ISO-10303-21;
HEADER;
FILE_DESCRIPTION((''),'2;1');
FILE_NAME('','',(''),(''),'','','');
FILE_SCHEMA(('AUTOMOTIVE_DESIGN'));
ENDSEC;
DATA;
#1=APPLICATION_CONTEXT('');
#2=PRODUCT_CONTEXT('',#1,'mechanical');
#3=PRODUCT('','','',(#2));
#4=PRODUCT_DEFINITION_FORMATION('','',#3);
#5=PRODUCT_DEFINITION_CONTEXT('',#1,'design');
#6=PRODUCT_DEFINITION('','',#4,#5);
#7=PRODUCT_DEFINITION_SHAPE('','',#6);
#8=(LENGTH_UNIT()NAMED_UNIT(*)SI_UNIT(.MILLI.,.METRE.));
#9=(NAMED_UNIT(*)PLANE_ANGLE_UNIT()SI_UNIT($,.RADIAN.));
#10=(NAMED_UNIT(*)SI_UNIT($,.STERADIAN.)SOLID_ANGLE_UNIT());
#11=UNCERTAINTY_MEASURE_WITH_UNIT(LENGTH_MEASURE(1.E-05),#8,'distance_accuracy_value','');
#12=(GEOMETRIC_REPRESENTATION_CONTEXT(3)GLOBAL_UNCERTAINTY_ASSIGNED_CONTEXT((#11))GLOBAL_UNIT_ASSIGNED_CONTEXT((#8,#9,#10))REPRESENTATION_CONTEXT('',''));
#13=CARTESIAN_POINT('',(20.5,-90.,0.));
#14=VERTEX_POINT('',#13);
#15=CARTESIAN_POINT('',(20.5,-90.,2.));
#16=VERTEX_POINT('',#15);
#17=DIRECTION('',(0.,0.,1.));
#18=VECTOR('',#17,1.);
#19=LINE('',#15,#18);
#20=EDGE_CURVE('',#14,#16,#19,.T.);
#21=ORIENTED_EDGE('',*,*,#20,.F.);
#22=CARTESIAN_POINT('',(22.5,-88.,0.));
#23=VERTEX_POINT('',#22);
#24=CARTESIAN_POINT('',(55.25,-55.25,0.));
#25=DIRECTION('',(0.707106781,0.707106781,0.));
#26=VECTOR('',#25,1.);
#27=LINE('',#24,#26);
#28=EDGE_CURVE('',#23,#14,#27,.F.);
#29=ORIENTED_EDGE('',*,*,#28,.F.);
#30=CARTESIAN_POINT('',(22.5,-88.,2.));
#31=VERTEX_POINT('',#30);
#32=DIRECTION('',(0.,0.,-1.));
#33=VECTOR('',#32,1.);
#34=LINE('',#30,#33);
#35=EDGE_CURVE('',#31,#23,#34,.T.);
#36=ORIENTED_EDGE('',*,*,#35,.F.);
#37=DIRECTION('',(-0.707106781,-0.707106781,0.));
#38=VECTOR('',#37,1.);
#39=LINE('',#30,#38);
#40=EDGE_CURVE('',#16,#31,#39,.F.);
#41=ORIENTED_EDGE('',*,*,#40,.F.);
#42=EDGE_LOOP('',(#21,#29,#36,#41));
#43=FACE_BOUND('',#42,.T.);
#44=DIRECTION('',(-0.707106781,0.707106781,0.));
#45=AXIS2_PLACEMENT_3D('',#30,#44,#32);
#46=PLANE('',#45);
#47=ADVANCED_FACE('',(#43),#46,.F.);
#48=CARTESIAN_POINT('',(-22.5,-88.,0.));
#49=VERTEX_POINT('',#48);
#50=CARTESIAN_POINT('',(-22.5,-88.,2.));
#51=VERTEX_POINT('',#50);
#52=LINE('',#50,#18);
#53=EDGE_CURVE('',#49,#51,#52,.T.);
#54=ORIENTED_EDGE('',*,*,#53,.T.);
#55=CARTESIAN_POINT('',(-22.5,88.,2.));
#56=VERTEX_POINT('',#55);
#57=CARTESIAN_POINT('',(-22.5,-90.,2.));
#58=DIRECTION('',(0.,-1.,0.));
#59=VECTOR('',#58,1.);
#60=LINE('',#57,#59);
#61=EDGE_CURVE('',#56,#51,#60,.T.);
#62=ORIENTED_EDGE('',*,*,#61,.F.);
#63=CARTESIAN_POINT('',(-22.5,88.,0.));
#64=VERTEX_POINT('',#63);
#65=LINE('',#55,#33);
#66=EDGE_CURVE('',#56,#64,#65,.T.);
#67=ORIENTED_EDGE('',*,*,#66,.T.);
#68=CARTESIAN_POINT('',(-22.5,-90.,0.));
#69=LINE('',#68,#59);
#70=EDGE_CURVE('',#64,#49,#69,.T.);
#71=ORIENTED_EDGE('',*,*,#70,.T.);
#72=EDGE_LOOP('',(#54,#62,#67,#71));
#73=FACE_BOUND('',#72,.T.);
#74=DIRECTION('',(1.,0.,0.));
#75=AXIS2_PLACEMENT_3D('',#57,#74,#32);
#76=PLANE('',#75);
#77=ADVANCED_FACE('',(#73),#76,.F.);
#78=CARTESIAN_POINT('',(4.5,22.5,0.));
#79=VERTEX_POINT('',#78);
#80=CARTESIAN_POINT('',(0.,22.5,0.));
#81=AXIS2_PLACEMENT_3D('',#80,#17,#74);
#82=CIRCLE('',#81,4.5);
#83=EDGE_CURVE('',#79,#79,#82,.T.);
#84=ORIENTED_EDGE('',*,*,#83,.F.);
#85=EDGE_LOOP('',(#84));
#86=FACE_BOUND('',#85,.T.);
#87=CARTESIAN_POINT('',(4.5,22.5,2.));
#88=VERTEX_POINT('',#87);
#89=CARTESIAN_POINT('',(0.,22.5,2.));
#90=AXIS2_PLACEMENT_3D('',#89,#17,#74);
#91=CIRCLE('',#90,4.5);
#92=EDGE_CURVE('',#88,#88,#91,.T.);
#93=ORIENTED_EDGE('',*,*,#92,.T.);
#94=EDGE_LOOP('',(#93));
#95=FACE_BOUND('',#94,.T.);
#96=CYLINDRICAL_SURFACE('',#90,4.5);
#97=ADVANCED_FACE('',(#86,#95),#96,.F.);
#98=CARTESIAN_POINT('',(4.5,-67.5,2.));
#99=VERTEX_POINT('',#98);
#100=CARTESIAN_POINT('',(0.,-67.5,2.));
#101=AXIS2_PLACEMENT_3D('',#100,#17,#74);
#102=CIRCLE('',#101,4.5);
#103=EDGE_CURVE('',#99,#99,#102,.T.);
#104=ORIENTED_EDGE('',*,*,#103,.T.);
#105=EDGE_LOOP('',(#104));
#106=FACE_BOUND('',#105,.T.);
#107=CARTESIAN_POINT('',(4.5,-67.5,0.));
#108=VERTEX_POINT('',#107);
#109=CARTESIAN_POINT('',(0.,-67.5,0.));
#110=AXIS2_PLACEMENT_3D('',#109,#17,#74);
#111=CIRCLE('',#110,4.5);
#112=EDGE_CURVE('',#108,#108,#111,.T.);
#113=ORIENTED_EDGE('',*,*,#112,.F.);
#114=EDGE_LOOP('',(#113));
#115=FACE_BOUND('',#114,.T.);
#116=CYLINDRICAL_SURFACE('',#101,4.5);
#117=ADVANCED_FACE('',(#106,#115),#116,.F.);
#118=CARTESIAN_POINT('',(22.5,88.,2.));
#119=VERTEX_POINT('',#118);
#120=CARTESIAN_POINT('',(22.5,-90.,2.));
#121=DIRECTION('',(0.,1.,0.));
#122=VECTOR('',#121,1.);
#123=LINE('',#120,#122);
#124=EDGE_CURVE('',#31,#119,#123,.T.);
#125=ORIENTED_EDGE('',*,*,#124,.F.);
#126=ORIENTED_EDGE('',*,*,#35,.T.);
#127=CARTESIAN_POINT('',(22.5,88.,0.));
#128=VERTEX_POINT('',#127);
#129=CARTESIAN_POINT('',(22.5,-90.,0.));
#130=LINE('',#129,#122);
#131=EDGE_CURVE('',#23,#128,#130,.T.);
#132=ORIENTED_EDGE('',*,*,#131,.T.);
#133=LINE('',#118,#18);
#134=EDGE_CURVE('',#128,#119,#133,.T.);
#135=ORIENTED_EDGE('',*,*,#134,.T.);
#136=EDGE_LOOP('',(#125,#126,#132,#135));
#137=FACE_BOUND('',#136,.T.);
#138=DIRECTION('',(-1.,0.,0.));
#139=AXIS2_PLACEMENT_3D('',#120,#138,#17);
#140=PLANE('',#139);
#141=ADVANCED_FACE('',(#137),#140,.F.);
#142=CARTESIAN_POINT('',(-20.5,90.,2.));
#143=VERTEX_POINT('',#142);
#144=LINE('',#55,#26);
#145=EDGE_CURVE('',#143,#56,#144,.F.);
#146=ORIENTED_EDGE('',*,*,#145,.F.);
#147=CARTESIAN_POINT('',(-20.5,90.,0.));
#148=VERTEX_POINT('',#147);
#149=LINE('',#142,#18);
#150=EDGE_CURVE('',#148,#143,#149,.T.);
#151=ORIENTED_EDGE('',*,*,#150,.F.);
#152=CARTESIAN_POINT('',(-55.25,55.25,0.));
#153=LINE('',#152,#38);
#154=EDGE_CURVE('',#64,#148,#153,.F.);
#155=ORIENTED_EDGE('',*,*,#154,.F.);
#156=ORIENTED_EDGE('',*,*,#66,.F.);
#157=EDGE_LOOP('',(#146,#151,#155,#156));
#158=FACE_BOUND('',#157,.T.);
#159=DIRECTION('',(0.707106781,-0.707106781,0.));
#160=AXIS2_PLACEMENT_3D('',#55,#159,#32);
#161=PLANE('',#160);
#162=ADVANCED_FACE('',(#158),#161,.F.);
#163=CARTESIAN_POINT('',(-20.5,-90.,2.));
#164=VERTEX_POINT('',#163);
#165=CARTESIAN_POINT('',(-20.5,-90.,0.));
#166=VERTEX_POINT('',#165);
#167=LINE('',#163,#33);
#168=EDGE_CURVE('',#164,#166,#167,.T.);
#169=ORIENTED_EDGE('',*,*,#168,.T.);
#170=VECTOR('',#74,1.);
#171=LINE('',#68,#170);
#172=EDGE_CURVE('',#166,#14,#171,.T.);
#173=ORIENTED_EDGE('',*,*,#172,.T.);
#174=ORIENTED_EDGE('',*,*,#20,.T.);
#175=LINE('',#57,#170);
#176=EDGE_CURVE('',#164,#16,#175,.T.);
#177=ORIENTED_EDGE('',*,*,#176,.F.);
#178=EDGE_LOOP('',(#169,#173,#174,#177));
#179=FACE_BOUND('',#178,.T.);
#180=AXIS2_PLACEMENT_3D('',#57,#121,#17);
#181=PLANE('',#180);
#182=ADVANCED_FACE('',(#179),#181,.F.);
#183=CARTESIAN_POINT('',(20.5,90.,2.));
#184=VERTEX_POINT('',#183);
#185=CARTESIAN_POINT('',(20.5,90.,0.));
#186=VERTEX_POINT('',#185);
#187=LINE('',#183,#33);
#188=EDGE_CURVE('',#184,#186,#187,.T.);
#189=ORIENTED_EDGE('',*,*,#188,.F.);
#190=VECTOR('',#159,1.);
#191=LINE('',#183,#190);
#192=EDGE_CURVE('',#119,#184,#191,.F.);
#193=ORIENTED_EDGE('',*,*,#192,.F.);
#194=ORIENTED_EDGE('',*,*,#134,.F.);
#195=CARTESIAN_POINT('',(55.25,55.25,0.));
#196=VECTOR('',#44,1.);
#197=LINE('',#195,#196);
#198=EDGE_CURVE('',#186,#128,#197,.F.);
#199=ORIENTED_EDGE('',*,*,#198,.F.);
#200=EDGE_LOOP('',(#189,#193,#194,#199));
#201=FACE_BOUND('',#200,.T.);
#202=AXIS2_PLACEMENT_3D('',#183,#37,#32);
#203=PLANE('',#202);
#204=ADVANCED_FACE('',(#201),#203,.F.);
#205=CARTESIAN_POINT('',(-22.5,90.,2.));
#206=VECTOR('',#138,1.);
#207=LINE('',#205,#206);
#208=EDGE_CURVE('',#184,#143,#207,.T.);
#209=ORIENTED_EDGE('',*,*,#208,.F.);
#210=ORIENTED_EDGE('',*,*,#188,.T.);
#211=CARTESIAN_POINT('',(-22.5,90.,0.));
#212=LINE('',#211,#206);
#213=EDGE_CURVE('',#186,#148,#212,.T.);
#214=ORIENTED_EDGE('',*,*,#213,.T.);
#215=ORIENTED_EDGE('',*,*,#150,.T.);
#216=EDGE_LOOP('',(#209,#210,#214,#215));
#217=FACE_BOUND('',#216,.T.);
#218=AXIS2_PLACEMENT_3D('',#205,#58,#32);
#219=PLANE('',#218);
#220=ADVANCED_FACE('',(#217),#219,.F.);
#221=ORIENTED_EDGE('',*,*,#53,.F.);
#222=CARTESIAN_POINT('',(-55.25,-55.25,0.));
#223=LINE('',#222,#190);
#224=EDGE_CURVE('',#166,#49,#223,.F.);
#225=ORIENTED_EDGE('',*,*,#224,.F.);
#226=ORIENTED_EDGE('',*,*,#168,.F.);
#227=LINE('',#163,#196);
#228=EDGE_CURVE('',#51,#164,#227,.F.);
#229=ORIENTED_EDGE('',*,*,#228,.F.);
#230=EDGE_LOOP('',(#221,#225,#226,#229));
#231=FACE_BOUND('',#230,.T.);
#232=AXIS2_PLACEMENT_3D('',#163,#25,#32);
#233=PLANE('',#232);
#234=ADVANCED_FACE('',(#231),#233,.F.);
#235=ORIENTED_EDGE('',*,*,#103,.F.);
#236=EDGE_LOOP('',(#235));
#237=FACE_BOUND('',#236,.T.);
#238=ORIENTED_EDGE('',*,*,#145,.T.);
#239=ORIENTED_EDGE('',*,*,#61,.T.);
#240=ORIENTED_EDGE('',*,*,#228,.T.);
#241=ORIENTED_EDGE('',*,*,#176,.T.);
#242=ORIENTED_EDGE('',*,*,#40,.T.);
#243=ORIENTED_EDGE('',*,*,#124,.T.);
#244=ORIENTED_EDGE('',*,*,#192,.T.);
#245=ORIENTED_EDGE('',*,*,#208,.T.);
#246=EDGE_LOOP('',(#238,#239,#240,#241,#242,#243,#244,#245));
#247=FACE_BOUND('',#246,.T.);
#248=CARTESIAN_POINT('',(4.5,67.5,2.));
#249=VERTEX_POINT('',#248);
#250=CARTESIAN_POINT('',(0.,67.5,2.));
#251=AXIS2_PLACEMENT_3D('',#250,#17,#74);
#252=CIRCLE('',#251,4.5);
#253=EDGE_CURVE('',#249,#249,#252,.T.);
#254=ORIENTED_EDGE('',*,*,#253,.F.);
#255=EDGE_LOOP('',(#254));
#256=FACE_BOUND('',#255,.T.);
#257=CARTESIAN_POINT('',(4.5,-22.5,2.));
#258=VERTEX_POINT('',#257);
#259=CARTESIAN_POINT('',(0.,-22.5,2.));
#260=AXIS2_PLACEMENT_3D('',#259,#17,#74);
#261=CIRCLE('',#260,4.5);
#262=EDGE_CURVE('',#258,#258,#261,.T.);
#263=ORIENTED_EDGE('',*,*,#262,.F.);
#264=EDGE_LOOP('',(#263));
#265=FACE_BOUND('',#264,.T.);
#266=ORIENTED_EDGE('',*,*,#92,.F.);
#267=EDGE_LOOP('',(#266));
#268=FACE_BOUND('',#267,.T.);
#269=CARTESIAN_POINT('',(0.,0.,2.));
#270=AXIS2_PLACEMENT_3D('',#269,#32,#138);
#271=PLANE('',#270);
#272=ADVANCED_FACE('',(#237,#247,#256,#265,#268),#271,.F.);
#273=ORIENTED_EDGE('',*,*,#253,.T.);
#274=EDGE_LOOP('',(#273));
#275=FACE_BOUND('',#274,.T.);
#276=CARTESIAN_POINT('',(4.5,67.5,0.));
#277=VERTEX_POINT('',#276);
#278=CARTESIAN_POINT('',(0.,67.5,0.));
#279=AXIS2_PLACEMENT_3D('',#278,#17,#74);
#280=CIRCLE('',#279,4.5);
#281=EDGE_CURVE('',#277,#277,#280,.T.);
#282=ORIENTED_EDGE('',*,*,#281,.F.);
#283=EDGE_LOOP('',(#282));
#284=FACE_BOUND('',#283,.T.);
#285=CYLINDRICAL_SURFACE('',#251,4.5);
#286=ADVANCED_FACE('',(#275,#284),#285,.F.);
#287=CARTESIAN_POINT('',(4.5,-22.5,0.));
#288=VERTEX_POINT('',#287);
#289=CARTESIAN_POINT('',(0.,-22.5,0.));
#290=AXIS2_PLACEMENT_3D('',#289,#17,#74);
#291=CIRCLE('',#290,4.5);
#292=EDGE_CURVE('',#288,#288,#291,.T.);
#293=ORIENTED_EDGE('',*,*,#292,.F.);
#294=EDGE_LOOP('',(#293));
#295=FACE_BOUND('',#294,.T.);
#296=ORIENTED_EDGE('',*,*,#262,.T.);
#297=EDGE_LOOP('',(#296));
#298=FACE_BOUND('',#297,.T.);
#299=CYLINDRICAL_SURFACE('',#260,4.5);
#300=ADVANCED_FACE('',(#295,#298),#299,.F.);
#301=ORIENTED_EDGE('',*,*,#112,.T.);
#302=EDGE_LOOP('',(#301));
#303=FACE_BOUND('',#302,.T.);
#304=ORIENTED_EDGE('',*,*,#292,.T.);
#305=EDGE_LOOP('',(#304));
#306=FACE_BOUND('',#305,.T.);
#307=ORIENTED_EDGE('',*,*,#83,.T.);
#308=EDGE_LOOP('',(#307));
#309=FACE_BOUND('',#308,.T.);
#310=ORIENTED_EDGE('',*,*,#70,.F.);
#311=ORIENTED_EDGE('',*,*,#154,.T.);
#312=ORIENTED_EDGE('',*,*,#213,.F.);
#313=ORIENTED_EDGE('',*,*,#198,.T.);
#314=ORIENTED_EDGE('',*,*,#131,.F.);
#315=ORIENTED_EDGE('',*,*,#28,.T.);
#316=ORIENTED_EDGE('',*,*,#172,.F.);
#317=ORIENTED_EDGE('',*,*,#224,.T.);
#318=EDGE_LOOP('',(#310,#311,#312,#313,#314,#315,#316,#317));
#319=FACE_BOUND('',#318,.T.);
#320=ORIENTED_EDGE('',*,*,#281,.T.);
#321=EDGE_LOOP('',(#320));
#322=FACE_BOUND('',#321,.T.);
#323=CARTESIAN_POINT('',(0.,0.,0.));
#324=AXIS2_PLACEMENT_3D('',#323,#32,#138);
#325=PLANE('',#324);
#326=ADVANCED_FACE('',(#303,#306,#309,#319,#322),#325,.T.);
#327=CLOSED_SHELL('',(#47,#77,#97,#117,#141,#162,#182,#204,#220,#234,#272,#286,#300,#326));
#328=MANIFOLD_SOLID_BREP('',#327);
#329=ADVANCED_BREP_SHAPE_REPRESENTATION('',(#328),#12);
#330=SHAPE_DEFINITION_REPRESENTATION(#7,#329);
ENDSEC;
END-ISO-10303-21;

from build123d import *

# Parameters (mm, degrees)
SKETCH_1_W        = 45
SKETCH_1_H        = 180
EXTRUDE_1_DEPTH   = 2
CHAMFER_1_SIZE    = 2
HOLE_WIZARD_M81_D = 9


with BuildPart() as part:
    # Эскиз1 → Бобышка-Вытянуть1 (new body)
    with BuildSketch(Plane.XY):
        Rectangle(SKETCH_1_W, SKETCH_1_H)
    extrude(amount=EXTRUDE_1_DEPTH)

    # Фаска1
    chamfer_1_edges = [part.edges().sort_by_distance(p)[0] for p in [
        (22.5, -90, 1),
        (-22.5, -90, 1),
        (-22.5, 90, 1),
        (22.5, 90, 1),
    ]]
    chamfer(chamfer_1_edges, length=CHAMFER_1_SIZE)

    # Отверстие с зазором M81 (through all)
    with Locations(Plane.XY.offset(2)):
        with Locations((0, 67.5), (0, 22.5), (0, -22.5), (0, -67.5)):
            Hole(HOLE_WIZARD_M81_D / 2)


solid = part.part
